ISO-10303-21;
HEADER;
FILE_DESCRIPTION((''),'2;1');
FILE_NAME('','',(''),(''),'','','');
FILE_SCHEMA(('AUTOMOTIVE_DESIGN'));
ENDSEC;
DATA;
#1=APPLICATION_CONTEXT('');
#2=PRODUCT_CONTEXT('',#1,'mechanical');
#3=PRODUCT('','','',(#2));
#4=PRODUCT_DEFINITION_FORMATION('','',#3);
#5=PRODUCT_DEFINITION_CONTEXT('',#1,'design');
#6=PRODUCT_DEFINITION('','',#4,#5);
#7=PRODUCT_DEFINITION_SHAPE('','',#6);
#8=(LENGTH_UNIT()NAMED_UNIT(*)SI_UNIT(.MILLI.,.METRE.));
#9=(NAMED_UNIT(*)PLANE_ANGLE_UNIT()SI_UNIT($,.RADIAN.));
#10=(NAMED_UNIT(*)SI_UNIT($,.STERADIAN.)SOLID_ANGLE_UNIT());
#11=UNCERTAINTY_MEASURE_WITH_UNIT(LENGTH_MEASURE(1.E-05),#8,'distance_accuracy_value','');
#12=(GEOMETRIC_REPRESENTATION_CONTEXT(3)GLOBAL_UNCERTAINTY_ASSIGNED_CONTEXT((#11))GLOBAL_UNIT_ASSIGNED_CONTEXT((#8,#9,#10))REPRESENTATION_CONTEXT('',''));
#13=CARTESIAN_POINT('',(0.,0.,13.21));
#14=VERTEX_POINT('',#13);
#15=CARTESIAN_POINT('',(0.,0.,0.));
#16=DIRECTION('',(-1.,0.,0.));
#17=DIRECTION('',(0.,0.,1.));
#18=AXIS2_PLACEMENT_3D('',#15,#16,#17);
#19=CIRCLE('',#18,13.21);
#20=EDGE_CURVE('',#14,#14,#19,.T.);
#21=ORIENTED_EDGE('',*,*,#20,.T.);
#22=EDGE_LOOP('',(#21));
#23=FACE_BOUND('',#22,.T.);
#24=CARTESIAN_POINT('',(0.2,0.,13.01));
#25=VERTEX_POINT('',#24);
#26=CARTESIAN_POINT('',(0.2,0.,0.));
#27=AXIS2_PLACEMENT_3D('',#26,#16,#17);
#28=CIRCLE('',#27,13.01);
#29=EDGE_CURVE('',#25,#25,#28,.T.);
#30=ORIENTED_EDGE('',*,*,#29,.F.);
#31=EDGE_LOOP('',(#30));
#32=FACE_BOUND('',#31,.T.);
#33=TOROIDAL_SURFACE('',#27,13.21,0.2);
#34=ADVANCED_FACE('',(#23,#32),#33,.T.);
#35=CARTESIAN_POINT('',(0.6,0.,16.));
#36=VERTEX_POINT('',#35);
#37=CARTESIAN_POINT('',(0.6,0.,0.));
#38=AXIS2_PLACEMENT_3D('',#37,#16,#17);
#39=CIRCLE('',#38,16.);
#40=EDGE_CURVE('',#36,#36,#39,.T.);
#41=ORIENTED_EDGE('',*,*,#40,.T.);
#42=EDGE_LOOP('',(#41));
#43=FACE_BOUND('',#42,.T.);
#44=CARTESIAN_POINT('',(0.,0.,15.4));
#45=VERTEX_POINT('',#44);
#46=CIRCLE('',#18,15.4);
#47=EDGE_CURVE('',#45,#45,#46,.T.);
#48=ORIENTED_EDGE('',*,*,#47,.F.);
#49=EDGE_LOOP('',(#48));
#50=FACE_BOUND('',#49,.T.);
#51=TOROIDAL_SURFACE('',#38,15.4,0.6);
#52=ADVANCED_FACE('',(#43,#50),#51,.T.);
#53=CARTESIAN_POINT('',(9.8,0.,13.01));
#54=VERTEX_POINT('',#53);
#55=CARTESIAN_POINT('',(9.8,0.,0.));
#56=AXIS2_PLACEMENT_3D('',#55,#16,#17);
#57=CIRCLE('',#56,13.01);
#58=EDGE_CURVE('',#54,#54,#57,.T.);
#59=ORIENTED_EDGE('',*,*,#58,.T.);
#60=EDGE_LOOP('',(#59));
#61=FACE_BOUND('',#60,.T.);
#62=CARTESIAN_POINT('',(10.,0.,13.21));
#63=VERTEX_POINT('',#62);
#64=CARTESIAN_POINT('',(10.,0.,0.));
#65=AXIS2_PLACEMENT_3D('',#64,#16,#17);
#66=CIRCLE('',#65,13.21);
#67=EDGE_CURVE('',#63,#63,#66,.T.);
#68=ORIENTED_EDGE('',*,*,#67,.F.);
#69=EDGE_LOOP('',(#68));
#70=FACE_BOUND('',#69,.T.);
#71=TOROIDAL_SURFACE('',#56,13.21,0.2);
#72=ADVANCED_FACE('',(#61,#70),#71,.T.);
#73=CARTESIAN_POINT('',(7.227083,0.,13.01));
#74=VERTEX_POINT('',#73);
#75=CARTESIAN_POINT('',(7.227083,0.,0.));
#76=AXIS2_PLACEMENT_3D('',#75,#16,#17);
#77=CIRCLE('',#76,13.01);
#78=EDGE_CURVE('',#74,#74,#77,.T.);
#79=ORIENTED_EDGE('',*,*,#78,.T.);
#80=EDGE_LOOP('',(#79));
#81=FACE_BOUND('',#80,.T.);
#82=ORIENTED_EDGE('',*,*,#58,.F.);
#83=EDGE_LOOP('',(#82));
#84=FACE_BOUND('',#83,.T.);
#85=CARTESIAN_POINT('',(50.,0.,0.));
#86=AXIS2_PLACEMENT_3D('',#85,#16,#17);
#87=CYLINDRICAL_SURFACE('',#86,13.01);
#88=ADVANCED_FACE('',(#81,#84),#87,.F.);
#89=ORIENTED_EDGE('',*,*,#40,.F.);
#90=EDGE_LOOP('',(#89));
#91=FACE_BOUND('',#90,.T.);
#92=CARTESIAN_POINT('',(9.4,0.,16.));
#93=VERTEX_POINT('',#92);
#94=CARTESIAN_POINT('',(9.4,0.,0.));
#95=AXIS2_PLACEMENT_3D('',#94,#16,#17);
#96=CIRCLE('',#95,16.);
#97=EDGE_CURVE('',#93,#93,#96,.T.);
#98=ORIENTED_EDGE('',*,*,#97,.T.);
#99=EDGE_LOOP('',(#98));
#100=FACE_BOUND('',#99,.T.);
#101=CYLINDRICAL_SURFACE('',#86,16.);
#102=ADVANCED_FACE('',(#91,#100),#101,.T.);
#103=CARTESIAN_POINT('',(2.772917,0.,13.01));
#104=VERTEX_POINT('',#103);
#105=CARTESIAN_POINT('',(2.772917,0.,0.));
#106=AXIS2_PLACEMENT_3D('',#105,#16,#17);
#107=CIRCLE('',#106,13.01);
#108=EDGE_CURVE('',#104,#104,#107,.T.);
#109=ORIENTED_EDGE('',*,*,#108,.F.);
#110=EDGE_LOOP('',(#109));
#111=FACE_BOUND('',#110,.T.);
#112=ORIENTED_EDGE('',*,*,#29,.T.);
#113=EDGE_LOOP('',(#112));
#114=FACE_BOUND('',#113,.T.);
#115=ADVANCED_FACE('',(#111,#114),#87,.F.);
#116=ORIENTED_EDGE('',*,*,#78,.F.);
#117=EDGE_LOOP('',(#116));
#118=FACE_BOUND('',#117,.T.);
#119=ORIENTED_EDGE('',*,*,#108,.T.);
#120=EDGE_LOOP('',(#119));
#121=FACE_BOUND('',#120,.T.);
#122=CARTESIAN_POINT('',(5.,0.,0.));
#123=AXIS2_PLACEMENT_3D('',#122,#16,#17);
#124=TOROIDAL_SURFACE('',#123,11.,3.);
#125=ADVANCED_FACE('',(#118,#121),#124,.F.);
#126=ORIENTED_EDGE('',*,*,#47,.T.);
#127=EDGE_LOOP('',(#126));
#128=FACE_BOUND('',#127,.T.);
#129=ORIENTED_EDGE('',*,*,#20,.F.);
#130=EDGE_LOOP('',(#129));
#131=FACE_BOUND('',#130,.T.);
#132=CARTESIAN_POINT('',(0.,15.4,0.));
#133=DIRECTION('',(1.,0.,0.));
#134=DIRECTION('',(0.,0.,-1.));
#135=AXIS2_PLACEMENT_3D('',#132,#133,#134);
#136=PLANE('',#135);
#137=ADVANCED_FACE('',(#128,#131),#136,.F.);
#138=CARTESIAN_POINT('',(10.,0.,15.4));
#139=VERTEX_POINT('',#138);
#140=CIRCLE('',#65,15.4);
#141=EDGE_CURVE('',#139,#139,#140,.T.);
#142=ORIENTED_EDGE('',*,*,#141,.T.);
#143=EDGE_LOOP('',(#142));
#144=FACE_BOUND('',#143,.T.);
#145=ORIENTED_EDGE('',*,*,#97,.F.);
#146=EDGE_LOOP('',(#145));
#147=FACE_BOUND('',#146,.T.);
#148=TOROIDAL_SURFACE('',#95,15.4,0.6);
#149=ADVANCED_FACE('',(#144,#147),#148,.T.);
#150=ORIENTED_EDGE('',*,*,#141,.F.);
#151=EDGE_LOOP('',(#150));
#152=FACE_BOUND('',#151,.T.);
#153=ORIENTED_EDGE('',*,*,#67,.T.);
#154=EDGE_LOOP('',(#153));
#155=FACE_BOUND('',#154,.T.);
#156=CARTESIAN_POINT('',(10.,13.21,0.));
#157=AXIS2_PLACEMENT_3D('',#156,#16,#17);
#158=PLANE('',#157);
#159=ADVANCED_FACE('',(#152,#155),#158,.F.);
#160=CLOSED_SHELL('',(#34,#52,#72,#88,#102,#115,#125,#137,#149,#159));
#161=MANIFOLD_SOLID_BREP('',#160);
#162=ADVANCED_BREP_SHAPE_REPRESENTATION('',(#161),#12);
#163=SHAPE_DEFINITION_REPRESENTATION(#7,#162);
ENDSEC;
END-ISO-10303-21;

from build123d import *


with BuildPart() as part:
    # Esquisse1 → Révolution1 (revolve)
    with BuildSketch(Plane.XY, mode=Mode.PRIVATE) as r_volution1_sk:
        with BuildLine():
            Line((0, 15.4), (0, 13.21))
            ThreePointArc((0, 13.21), (0.058578644, 13.068578644), (0.2, 13.01))
            Line((0.2, 13.01), (2.772916706, 13.01))
            ThreePointArc((2.772916706, 13.01), (5, 14), (7.227083294, 13.01))
            Line((7.227083294, 13.01), (9.8, 13.01))
            ThreePointArc((9.8, 13.01), (9.941421356, 13.068578644), (10, 13.21))
            Line((10, 13.21), (10, 15.4))
            ThreePointArc((10, 15.4), (9.824264069, 15.824264069), (9.4, 16))
            Line((9.4, 16), (0.6, 16))
            ThreePointArc((0.6, 16), (0.175735931, 15.824264069), (0, 15.4))
        make_face()
    revolve(r_volution1_sk.sketch.rotate(Axis((50, 0, 0), (-1, 0, 0)), 270), axis=Axis((50, 0, 0), (-1, 0, 0)))


solid = part.part
